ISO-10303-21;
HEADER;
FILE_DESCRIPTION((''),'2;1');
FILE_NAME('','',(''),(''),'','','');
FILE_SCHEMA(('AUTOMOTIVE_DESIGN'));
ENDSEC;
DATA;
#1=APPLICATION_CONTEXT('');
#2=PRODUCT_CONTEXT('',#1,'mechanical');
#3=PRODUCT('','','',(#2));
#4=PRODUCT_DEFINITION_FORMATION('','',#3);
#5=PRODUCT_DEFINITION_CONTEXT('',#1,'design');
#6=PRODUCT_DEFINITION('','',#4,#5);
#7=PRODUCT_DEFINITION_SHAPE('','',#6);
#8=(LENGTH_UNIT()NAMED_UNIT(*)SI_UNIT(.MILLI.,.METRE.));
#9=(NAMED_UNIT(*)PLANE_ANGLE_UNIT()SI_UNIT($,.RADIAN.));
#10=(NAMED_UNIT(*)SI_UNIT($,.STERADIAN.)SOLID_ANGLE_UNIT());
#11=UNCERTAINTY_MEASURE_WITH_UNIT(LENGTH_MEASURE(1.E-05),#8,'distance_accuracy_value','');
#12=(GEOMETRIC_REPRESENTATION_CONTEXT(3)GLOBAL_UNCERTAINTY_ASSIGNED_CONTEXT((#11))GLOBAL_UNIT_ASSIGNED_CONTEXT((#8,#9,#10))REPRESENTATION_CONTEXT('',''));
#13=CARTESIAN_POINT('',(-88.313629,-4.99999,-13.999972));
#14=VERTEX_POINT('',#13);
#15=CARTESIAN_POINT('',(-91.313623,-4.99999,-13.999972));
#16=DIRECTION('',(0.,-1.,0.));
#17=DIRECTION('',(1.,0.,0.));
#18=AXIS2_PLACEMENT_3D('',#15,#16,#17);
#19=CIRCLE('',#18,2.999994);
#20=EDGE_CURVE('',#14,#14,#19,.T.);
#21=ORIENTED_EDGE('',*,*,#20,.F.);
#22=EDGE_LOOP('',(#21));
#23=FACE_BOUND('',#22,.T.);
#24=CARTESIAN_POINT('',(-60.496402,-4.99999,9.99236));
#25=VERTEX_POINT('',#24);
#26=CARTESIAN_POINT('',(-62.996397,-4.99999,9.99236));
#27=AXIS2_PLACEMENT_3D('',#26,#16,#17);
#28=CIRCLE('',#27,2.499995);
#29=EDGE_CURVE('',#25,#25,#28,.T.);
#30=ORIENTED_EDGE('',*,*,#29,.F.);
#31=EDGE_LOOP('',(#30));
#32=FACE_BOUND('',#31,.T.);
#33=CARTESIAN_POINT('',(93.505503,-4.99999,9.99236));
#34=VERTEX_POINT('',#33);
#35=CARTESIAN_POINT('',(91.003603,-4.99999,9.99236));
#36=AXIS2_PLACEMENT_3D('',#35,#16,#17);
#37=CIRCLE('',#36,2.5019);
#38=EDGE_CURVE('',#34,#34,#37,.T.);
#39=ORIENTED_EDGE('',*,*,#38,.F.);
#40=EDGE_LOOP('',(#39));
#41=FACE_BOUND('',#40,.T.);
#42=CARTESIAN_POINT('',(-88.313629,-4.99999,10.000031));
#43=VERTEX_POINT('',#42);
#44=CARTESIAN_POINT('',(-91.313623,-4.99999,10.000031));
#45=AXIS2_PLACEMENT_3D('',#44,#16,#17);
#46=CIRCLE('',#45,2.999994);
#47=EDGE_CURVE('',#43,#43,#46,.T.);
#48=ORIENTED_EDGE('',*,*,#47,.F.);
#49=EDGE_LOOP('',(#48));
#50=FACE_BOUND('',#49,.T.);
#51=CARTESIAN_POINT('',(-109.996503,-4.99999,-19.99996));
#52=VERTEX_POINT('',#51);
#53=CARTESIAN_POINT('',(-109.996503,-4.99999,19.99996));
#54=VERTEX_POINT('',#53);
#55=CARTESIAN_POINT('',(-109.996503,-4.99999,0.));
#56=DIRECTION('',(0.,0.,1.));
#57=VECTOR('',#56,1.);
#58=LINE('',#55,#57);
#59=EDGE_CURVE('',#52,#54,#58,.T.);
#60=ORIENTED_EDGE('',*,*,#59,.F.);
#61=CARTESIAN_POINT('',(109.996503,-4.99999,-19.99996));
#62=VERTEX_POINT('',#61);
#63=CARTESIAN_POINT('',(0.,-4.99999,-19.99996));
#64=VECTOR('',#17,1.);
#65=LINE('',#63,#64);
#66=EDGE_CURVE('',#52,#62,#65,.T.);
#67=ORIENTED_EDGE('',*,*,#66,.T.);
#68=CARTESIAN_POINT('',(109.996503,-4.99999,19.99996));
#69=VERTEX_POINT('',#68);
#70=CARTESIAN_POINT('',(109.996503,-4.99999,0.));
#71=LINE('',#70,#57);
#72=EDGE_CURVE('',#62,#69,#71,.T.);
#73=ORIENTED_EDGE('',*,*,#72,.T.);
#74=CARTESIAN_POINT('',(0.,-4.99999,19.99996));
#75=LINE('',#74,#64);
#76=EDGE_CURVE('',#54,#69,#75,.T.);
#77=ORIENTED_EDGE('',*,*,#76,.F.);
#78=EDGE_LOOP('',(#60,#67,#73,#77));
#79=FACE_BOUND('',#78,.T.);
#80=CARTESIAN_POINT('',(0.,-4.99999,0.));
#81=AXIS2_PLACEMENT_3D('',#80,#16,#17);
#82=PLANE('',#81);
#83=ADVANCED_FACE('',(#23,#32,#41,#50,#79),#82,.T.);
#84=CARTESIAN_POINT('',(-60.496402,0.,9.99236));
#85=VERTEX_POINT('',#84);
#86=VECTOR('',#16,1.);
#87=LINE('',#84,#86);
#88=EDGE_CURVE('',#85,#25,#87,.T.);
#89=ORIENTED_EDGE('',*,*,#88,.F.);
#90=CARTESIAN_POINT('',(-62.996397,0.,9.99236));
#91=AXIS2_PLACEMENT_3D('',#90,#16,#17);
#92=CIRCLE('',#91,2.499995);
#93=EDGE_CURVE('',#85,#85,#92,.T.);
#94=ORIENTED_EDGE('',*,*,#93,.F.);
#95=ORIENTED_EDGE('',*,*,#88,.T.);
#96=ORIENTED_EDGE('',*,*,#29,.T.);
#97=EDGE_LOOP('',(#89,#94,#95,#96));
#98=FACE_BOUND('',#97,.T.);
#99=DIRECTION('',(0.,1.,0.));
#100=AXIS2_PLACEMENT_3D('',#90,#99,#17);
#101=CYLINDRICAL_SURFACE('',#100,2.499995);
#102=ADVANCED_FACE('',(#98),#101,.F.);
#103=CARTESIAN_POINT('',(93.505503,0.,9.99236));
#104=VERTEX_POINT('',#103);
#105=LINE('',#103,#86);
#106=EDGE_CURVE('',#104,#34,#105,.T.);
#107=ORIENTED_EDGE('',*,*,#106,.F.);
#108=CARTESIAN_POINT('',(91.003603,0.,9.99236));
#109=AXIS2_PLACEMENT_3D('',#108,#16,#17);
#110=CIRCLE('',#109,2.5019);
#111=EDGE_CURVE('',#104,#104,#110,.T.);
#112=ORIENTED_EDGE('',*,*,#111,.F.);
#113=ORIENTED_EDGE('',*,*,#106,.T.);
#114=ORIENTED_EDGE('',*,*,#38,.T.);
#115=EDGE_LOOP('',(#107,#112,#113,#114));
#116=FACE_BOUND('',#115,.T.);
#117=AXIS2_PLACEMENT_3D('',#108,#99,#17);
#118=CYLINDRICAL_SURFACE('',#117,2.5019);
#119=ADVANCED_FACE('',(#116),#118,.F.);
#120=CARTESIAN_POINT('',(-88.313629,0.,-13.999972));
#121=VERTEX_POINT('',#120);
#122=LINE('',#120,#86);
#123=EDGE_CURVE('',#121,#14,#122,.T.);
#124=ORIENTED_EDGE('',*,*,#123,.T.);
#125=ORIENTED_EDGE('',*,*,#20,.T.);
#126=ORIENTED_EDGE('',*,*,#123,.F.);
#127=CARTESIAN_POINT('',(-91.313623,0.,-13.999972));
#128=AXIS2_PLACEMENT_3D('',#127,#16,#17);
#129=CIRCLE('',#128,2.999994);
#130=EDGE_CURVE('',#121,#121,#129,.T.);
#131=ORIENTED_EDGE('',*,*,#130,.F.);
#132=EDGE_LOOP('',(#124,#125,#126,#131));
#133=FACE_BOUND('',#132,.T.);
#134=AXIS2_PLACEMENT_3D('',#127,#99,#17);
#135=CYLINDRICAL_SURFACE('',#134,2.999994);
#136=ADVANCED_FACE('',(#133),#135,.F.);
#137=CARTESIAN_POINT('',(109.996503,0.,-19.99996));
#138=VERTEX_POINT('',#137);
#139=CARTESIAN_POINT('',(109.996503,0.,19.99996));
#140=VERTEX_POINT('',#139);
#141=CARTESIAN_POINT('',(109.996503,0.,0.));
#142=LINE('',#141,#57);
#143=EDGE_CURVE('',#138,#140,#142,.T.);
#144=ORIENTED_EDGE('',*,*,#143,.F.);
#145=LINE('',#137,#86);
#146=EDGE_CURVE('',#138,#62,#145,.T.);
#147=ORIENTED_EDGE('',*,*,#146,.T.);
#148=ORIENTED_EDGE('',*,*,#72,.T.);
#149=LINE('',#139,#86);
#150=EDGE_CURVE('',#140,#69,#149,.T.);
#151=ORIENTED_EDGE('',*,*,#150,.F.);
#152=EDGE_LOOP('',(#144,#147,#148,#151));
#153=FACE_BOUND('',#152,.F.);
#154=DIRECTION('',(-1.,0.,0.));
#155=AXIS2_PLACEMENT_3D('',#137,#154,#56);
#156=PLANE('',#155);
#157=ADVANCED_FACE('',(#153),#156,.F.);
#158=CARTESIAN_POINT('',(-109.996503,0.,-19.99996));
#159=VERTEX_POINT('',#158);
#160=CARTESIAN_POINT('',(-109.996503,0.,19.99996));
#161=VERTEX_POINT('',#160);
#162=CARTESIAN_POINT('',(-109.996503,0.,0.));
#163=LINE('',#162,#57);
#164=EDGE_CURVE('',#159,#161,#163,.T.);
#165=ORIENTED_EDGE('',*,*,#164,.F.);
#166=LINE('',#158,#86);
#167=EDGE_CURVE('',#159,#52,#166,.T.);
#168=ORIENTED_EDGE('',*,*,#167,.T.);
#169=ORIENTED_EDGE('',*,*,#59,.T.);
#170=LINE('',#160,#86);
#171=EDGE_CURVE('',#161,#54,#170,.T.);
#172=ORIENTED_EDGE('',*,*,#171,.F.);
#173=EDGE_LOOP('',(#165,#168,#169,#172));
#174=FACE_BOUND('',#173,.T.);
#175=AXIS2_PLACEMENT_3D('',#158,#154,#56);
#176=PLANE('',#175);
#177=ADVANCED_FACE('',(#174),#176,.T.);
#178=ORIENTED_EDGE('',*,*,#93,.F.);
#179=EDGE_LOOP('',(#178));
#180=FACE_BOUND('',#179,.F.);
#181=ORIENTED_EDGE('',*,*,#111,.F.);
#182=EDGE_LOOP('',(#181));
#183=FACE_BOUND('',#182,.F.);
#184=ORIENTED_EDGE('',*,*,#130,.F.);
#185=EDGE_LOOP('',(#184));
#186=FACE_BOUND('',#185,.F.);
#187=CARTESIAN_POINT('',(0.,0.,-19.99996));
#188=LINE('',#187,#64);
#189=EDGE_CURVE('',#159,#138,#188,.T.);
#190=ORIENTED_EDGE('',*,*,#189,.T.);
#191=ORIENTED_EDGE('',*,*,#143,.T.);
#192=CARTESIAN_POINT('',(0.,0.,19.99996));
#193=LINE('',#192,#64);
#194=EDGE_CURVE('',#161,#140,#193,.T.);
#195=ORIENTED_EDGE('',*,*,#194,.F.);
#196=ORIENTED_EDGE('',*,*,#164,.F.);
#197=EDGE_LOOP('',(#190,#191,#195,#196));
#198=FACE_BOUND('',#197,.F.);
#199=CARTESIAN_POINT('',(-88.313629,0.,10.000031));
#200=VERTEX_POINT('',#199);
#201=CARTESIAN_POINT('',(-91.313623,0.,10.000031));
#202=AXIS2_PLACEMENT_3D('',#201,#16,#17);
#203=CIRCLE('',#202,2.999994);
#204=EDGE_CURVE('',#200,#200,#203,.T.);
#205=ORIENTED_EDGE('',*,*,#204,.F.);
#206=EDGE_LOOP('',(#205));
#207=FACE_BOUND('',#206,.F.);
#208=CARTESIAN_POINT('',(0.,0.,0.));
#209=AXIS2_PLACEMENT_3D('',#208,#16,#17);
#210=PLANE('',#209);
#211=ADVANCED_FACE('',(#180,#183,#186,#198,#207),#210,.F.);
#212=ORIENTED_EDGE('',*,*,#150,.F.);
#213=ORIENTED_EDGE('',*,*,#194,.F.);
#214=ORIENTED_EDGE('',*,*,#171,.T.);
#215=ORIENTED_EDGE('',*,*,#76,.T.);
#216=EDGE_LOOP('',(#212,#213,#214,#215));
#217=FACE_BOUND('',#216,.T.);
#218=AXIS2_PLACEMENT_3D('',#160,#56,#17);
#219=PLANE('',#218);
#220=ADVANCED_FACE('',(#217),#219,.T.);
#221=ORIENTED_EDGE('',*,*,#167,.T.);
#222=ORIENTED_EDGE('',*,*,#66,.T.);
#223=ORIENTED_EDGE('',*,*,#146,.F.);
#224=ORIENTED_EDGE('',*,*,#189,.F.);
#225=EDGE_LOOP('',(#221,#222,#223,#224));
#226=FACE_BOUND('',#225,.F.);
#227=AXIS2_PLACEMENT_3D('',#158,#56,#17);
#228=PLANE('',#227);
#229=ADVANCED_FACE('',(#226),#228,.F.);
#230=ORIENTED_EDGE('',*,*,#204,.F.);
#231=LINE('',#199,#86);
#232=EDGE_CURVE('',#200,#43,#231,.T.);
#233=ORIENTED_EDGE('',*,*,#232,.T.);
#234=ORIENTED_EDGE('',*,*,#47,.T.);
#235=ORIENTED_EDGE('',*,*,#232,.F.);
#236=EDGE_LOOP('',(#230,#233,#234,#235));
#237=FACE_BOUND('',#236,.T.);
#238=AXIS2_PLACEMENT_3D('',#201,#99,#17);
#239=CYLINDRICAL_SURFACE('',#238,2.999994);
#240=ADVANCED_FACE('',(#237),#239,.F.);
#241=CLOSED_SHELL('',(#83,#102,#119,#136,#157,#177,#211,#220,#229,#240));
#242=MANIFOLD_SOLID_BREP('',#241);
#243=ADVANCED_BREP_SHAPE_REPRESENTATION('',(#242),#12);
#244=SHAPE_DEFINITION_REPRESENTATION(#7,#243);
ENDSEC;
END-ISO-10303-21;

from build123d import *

# Parameters (mm, degrees)
F0_W     = 219.993006
F0_H     = 39.99992
F0_R     = 2.999994
F0_R_2   = 2.499995
F0_R_3   = 2.5019
F1_DEPTH = 4.99999


with BuildPart() as f1:
    # F0 (on Front) → F1 (new body)
    with BuildSketch(Plane.XZ):
        Rectangle(F0_W, F0_H)
        with Locations((-91.313623, -13.999972)):
            Circle(F0_R, mode=Mode.SUBTRACT)
        with Locations((-62.996397, 9.99236)):
            Circle(F0_R_2, mode=Mode.SUBTRACT)
        with Locations((-91.313623, 10.000031)):
            Circle(F0_R, mode=Mode.SUBTRACT)
        with Locations((91.003603, 9.99236)):
            Circle(F0_R_3, mode=Mode.SUBTRACT)
    extrude(amount=F1_DEPTH)


solid = f1.part
